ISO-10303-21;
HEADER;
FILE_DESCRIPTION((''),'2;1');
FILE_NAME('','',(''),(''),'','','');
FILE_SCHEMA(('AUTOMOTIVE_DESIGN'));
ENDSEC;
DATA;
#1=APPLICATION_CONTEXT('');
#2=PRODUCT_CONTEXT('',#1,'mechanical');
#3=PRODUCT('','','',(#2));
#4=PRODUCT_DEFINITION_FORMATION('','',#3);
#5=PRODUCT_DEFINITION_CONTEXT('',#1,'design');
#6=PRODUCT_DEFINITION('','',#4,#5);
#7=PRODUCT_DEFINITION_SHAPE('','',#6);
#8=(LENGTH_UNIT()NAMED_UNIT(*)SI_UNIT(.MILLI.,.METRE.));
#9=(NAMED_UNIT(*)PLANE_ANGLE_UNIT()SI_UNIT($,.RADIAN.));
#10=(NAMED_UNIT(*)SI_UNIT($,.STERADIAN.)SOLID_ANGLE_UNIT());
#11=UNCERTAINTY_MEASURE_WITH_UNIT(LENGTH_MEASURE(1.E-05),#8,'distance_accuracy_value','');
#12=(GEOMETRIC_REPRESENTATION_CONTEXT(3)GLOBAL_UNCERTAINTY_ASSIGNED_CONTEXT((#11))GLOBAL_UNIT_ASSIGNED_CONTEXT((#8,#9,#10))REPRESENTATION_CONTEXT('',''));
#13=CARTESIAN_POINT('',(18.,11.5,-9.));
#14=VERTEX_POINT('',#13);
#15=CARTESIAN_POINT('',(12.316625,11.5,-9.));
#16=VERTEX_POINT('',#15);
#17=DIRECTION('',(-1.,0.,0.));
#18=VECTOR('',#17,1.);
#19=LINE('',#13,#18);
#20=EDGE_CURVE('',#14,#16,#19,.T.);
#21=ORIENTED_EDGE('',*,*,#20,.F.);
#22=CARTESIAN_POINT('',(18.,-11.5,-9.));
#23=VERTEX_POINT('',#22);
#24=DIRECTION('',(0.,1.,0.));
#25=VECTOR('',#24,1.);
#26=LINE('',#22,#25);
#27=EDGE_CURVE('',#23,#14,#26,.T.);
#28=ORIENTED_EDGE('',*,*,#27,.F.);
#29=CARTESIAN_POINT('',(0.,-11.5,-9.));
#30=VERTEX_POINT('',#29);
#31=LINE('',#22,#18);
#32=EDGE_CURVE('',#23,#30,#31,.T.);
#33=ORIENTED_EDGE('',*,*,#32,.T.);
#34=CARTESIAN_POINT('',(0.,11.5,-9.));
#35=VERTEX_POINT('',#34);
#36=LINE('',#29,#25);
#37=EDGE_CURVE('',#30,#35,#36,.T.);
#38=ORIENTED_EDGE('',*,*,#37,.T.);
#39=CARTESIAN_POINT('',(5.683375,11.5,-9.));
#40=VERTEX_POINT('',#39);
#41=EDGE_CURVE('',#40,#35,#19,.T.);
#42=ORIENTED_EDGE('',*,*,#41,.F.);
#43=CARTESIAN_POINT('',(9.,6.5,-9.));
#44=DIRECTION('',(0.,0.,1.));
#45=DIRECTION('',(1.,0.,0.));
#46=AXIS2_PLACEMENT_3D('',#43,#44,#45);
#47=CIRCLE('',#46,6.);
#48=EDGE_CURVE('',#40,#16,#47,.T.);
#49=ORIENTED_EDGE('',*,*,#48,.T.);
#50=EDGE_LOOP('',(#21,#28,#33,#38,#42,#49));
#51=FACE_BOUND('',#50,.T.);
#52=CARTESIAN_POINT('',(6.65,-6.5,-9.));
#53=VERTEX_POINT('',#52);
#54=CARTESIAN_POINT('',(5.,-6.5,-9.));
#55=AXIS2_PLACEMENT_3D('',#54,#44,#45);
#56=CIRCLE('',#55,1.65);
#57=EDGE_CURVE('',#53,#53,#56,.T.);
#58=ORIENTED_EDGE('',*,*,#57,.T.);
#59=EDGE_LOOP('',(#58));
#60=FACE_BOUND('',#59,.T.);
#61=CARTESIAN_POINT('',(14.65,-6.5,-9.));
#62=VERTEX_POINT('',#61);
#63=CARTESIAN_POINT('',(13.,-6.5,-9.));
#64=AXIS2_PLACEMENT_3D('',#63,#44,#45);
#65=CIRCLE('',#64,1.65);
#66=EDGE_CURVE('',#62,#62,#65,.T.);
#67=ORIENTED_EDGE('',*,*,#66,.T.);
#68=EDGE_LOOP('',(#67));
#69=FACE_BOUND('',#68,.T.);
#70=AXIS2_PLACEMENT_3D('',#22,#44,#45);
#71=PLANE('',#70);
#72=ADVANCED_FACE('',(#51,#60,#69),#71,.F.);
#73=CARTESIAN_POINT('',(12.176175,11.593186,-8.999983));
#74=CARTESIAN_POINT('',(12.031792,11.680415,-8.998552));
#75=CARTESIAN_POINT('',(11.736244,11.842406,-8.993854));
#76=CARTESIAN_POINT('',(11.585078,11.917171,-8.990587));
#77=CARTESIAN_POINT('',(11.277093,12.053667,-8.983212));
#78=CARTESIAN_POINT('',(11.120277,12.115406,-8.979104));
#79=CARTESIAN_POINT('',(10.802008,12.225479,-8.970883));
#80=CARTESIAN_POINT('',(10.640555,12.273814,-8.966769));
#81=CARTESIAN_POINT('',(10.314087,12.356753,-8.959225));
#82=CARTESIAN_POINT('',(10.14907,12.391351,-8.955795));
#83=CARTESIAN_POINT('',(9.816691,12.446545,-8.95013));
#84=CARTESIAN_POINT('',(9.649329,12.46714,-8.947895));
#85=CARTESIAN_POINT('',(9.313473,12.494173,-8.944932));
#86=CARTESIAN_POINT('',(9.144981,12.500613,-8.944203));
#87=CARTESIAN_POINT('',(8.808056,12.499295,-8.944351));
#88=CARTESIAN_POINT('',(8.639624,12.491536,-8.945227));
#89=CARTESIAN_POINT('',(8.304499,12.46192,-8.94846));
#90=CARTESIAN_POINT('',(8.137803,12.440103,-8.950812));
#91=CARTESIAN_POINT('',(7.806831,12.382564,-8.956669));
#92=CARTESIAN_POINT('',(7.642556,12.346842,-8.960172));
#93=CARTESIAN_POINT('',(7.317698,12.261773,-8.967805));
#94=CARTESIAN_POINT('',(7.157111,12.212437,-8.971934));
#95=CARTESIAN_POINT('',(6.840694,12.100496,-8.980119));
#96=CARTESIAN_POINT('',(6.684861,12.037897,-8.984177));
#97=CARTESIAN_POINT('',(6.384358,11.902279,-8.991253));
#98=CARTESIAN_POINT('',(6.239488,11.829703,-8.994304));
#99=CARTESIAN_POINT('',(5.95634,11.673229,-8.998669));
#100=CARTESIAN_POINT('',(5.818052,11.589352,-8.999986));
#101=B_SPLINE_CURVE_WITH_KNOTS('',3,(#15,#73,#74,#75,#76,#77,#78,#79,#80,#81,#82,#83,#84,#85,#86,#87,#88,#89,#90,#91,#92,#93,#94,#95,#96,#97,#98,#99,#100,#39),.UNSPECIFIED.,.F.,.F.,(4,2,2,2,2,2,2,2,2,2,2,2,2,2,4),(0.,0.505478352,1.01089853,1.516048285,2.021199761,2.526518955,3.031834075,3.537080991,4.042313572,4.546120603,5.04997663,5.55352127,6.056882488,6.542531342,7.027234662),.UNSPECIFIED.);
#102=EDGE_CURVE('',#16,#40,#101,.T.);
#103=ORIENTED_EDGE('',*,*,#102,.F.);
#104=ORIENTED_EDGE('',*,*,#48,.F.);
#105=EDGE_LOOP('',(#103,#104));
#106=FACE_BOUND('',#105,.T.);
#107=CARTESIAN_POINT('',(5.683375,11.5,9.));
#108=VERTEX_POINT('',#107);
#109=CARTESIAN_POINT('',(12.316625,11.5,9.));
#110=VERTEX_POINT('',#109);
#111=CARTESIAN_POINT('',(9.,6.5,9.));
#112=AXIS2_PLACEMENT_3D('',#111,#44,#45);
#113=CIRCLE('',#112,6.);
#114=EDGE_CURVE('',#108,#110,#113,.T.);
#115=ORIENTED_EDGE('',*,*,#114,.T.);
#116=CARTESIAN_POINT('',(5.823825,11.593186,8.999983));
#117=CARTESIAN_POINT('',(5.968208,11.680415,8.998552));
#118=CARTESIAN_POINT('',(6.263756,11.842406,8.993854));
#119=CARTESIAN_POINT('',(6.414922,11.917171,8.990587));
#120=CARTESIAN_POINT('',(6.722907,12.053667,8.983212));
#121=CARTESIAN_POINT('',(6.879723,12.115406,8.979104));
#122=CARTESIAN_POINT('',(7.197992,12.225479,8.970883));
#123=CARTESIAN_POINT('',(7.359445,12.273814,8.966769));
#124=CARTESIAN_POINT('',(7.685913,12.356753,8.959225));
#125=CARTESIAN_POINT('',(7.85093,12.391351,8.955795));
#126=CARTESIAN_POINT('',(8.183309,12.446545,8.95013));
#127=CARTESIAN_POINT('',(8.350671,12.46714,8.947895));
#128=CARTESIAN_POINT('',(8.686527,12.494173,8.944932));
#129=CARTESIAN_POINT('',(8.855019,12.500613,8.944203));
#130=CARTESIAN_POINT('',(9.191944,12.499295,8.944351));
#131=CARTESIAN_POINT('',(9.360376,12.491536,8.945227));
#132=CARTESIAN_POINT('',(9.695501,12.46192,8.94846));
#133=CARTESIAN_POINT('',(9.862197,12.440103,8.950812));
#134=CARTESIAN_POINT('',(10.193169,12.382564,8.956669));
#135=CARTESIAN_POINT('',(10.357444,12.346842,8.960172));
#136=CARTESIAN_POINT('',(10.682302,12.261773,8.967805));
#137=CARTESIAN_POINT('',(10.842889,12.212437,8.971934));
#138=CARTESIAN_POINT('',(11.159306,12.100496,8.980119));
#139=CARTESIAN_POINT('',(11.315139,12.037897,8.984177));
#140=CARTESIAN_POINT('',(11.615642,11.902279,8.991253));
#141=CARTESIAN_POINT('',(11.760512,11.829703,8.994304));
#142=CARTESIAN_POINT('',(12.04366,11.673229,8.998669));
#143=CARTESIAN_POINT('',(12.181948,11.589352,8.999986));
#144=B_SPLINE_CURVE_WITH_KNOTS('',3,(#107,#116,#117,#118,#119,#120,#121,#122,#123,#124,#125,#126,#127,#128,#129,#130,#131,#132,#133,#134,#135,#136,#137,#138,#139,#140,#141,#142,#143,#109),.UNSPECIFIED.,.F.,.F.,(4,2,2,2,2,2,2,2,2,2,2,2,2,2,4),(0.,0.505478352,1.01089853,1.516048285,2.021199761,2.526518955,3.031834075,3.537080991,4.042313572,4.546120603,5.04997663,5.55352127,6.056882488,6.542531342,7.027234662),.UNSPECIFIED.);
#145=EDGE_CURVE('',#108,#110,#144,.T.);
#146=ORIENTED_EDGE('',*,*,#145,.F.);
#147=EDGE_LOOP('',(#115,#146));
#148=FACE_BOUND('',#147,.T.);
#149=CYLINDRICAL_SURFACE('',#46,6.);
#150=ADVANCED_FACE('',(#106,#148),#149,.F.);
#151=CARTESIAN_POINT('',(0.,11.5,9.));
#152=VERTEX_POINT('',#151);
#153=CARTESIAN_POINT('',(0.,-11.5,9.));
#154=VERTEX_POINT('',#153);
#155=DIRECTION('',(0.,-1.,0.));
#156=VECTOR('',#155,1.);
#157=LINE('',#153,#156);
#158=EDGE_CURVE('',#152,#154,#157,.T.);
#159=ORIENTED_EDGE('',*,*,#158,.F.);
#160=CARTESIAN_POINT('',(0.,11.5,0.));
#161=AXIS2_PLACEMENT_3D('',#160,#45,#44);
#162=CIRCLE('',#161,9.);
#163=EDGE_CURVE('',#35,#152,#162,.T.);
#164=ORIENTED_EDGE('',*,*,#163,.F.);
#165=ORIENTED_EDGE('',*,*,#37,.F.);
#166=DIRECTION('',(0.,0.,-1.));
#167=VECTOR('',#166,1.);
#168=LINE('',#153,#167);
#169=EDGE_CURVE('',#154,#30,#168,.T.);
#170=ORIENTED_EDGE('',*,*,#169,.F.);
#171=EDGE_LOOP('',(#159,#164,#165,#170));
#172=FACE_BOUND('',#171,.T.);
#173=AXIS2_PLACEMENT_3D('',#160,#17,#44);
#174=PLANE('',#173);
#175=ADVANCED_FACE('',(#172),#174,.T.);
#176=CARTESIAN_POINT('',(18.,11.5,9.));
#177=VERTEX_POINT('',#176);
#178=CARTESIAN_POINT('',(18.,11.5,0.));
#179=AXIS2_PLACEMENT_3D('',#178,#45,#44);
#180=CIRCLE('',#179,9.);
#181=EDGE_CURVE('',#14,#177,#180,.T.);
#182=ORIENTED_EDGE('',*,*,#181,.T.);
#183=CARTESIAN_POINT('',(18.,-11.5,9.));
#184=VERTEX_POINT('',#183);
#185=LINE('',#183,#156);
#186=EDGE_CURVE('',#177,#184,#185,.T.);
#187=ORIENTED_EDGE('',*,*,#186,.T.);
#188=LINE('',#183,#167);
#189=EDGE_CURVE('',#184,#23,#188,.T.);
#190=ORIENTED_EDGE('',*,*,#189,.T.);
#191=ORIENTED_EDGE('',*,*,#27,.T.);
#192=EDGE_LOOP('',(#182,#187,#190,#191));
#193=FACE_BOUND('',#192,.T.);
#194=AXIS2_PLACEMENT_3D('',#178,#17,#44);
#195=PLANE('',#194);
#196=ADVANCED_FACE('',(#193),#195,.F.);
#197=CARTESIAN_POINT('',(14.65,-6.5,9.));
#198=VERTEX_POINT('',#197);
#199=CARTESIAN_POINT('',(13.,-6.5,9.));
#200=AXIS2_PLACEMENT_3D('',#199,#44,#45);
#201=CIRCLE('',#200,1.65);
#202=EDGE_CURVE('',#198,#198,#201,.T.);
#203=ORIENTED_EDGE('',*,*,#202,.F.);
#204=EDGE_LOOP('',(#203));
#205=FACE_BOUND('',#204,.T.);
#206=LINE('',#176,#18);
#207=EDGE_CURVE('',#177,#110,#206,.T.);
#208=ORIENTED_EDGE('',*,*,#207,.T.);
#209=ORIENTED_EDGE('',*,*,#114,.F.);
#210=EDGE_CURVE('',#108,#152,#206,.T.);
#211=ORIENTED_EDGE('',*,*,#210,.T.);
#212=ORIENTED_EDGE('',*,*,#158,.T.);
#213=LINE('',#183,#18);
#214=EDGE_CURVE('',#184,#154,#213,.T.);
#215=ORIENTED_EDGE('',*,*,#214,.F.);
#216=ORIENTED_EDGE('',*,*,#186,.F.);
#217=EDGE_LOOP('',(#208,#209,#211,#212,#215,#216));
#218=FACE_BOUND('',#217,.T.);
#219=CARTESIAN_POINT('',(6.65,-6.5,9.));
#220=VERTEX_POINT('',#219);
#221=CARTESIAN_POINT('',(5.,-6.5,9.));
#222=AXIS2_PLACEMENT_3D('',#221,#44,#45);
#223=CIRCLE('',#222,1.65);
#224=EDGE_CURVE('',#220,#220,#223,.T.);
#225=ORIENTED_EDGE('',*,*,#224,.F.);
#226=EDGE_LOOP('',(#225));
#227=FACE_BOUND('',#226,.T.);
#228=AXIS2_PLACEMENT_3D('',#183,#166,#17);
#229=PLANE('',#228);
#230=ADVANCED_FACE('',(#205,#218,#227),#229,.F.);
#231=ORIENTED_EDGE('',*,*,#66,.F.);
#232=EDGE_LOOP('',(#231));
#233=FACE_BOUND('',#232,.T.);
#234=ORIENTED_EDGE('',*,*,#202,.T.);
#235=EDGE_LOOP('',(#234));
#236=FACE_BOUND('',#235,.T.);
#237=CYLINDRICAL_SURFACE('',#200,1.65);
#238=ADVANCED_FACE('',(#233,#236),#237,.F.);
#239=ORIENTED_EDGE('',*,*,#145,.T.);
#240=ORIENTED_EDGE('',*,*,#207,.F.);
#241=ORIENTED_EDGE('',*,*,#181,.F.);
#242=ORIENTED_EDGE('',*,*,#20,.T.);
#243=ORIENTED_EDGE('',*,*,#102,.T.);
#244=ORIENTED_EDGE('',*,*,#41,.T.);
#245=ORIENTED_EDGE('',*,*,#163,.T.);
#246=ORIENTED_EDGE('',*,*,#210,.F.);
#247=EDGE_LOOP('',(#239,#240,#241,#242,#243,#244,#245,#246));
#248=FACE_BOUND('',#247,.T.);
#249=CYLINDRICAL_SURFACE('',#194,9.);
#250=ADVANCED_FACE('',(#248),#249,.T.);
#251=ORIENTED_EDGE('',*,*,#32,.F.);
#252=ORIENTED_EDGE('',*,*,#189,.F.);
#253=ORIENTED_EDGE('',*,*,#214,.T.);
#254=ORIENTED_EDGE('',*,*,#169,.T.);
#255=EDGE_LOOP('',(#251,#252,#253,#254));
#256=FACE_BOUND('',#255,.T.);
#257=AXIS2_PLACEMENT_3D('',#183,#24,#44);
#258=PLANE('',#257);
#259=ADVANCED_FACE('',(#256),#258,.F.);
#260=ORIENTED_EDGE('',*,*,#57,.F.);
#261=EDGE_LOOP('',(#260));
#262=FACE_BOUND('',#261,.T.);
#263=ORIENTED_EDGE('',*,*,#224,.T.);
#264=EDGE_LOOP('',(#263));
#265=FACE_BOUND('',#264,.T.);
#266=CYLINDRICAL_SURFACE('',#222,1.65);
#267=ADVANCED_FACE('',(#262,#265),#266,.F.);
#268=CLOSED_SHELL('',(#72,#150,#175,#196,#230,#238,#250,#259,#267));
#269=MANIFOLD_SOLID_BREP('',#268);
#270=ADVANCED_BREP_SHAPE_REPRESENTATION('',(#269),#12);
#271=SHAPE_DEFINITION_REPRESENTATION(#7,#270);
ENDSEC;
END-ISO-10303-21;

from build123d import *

# Parameters (mm, degrees)
BOSS_EXTRUDE1_DEPTH   = 18
SKETCH2_R             = 6
CUT_EXTRUDE1_DEPTH    = 18
M4X0_7_TAPPED_HOLE1_D = 3.3


with BuildPart() as part:
    # Sketch1 → Boss-Extrude1 (new body)
    with BuildSketch(Plane(origin=(0, 0, 0), x_dir=(0, 0, -1), z_dir=(1, 0, 0))):
        with BuildLine():
            Line((-9, -11.5), (9, -11.5))
            Line((9, -11.5), (9, 11.5))
            ThreePointArc((9, 11.5), (0, 20.5), (-9, 11.5))
            Line((-9, 11.5), (-9, -11.5))
        make_face()
    extrude(amount=BOSS_EXTRUDE1_DEPTH)

    # Sketch2 → Cut-Extrude1 (cut)
    with BuildSketch(Plane.XY.offset(9)):
        with Locations(Location((9, 6.5, 0), (0, 0, 56.442690238))):  # turned: the seam where the file's is
            Circle(SKETCH2_R)
    extrude(amount=-CUT_EXTRUDE1_DEPTH, mode=Mode.SUBTRACT)

    # M4x0.7 Tapped Hole1 (through all)
    with Locations(Plane.XY.offset(9)):
        with Locations((5, -6.5), (13, -6.5)):
            Hole(M4X0_7_TAPPED_HOLE1_D / 2)


solid = part.part
